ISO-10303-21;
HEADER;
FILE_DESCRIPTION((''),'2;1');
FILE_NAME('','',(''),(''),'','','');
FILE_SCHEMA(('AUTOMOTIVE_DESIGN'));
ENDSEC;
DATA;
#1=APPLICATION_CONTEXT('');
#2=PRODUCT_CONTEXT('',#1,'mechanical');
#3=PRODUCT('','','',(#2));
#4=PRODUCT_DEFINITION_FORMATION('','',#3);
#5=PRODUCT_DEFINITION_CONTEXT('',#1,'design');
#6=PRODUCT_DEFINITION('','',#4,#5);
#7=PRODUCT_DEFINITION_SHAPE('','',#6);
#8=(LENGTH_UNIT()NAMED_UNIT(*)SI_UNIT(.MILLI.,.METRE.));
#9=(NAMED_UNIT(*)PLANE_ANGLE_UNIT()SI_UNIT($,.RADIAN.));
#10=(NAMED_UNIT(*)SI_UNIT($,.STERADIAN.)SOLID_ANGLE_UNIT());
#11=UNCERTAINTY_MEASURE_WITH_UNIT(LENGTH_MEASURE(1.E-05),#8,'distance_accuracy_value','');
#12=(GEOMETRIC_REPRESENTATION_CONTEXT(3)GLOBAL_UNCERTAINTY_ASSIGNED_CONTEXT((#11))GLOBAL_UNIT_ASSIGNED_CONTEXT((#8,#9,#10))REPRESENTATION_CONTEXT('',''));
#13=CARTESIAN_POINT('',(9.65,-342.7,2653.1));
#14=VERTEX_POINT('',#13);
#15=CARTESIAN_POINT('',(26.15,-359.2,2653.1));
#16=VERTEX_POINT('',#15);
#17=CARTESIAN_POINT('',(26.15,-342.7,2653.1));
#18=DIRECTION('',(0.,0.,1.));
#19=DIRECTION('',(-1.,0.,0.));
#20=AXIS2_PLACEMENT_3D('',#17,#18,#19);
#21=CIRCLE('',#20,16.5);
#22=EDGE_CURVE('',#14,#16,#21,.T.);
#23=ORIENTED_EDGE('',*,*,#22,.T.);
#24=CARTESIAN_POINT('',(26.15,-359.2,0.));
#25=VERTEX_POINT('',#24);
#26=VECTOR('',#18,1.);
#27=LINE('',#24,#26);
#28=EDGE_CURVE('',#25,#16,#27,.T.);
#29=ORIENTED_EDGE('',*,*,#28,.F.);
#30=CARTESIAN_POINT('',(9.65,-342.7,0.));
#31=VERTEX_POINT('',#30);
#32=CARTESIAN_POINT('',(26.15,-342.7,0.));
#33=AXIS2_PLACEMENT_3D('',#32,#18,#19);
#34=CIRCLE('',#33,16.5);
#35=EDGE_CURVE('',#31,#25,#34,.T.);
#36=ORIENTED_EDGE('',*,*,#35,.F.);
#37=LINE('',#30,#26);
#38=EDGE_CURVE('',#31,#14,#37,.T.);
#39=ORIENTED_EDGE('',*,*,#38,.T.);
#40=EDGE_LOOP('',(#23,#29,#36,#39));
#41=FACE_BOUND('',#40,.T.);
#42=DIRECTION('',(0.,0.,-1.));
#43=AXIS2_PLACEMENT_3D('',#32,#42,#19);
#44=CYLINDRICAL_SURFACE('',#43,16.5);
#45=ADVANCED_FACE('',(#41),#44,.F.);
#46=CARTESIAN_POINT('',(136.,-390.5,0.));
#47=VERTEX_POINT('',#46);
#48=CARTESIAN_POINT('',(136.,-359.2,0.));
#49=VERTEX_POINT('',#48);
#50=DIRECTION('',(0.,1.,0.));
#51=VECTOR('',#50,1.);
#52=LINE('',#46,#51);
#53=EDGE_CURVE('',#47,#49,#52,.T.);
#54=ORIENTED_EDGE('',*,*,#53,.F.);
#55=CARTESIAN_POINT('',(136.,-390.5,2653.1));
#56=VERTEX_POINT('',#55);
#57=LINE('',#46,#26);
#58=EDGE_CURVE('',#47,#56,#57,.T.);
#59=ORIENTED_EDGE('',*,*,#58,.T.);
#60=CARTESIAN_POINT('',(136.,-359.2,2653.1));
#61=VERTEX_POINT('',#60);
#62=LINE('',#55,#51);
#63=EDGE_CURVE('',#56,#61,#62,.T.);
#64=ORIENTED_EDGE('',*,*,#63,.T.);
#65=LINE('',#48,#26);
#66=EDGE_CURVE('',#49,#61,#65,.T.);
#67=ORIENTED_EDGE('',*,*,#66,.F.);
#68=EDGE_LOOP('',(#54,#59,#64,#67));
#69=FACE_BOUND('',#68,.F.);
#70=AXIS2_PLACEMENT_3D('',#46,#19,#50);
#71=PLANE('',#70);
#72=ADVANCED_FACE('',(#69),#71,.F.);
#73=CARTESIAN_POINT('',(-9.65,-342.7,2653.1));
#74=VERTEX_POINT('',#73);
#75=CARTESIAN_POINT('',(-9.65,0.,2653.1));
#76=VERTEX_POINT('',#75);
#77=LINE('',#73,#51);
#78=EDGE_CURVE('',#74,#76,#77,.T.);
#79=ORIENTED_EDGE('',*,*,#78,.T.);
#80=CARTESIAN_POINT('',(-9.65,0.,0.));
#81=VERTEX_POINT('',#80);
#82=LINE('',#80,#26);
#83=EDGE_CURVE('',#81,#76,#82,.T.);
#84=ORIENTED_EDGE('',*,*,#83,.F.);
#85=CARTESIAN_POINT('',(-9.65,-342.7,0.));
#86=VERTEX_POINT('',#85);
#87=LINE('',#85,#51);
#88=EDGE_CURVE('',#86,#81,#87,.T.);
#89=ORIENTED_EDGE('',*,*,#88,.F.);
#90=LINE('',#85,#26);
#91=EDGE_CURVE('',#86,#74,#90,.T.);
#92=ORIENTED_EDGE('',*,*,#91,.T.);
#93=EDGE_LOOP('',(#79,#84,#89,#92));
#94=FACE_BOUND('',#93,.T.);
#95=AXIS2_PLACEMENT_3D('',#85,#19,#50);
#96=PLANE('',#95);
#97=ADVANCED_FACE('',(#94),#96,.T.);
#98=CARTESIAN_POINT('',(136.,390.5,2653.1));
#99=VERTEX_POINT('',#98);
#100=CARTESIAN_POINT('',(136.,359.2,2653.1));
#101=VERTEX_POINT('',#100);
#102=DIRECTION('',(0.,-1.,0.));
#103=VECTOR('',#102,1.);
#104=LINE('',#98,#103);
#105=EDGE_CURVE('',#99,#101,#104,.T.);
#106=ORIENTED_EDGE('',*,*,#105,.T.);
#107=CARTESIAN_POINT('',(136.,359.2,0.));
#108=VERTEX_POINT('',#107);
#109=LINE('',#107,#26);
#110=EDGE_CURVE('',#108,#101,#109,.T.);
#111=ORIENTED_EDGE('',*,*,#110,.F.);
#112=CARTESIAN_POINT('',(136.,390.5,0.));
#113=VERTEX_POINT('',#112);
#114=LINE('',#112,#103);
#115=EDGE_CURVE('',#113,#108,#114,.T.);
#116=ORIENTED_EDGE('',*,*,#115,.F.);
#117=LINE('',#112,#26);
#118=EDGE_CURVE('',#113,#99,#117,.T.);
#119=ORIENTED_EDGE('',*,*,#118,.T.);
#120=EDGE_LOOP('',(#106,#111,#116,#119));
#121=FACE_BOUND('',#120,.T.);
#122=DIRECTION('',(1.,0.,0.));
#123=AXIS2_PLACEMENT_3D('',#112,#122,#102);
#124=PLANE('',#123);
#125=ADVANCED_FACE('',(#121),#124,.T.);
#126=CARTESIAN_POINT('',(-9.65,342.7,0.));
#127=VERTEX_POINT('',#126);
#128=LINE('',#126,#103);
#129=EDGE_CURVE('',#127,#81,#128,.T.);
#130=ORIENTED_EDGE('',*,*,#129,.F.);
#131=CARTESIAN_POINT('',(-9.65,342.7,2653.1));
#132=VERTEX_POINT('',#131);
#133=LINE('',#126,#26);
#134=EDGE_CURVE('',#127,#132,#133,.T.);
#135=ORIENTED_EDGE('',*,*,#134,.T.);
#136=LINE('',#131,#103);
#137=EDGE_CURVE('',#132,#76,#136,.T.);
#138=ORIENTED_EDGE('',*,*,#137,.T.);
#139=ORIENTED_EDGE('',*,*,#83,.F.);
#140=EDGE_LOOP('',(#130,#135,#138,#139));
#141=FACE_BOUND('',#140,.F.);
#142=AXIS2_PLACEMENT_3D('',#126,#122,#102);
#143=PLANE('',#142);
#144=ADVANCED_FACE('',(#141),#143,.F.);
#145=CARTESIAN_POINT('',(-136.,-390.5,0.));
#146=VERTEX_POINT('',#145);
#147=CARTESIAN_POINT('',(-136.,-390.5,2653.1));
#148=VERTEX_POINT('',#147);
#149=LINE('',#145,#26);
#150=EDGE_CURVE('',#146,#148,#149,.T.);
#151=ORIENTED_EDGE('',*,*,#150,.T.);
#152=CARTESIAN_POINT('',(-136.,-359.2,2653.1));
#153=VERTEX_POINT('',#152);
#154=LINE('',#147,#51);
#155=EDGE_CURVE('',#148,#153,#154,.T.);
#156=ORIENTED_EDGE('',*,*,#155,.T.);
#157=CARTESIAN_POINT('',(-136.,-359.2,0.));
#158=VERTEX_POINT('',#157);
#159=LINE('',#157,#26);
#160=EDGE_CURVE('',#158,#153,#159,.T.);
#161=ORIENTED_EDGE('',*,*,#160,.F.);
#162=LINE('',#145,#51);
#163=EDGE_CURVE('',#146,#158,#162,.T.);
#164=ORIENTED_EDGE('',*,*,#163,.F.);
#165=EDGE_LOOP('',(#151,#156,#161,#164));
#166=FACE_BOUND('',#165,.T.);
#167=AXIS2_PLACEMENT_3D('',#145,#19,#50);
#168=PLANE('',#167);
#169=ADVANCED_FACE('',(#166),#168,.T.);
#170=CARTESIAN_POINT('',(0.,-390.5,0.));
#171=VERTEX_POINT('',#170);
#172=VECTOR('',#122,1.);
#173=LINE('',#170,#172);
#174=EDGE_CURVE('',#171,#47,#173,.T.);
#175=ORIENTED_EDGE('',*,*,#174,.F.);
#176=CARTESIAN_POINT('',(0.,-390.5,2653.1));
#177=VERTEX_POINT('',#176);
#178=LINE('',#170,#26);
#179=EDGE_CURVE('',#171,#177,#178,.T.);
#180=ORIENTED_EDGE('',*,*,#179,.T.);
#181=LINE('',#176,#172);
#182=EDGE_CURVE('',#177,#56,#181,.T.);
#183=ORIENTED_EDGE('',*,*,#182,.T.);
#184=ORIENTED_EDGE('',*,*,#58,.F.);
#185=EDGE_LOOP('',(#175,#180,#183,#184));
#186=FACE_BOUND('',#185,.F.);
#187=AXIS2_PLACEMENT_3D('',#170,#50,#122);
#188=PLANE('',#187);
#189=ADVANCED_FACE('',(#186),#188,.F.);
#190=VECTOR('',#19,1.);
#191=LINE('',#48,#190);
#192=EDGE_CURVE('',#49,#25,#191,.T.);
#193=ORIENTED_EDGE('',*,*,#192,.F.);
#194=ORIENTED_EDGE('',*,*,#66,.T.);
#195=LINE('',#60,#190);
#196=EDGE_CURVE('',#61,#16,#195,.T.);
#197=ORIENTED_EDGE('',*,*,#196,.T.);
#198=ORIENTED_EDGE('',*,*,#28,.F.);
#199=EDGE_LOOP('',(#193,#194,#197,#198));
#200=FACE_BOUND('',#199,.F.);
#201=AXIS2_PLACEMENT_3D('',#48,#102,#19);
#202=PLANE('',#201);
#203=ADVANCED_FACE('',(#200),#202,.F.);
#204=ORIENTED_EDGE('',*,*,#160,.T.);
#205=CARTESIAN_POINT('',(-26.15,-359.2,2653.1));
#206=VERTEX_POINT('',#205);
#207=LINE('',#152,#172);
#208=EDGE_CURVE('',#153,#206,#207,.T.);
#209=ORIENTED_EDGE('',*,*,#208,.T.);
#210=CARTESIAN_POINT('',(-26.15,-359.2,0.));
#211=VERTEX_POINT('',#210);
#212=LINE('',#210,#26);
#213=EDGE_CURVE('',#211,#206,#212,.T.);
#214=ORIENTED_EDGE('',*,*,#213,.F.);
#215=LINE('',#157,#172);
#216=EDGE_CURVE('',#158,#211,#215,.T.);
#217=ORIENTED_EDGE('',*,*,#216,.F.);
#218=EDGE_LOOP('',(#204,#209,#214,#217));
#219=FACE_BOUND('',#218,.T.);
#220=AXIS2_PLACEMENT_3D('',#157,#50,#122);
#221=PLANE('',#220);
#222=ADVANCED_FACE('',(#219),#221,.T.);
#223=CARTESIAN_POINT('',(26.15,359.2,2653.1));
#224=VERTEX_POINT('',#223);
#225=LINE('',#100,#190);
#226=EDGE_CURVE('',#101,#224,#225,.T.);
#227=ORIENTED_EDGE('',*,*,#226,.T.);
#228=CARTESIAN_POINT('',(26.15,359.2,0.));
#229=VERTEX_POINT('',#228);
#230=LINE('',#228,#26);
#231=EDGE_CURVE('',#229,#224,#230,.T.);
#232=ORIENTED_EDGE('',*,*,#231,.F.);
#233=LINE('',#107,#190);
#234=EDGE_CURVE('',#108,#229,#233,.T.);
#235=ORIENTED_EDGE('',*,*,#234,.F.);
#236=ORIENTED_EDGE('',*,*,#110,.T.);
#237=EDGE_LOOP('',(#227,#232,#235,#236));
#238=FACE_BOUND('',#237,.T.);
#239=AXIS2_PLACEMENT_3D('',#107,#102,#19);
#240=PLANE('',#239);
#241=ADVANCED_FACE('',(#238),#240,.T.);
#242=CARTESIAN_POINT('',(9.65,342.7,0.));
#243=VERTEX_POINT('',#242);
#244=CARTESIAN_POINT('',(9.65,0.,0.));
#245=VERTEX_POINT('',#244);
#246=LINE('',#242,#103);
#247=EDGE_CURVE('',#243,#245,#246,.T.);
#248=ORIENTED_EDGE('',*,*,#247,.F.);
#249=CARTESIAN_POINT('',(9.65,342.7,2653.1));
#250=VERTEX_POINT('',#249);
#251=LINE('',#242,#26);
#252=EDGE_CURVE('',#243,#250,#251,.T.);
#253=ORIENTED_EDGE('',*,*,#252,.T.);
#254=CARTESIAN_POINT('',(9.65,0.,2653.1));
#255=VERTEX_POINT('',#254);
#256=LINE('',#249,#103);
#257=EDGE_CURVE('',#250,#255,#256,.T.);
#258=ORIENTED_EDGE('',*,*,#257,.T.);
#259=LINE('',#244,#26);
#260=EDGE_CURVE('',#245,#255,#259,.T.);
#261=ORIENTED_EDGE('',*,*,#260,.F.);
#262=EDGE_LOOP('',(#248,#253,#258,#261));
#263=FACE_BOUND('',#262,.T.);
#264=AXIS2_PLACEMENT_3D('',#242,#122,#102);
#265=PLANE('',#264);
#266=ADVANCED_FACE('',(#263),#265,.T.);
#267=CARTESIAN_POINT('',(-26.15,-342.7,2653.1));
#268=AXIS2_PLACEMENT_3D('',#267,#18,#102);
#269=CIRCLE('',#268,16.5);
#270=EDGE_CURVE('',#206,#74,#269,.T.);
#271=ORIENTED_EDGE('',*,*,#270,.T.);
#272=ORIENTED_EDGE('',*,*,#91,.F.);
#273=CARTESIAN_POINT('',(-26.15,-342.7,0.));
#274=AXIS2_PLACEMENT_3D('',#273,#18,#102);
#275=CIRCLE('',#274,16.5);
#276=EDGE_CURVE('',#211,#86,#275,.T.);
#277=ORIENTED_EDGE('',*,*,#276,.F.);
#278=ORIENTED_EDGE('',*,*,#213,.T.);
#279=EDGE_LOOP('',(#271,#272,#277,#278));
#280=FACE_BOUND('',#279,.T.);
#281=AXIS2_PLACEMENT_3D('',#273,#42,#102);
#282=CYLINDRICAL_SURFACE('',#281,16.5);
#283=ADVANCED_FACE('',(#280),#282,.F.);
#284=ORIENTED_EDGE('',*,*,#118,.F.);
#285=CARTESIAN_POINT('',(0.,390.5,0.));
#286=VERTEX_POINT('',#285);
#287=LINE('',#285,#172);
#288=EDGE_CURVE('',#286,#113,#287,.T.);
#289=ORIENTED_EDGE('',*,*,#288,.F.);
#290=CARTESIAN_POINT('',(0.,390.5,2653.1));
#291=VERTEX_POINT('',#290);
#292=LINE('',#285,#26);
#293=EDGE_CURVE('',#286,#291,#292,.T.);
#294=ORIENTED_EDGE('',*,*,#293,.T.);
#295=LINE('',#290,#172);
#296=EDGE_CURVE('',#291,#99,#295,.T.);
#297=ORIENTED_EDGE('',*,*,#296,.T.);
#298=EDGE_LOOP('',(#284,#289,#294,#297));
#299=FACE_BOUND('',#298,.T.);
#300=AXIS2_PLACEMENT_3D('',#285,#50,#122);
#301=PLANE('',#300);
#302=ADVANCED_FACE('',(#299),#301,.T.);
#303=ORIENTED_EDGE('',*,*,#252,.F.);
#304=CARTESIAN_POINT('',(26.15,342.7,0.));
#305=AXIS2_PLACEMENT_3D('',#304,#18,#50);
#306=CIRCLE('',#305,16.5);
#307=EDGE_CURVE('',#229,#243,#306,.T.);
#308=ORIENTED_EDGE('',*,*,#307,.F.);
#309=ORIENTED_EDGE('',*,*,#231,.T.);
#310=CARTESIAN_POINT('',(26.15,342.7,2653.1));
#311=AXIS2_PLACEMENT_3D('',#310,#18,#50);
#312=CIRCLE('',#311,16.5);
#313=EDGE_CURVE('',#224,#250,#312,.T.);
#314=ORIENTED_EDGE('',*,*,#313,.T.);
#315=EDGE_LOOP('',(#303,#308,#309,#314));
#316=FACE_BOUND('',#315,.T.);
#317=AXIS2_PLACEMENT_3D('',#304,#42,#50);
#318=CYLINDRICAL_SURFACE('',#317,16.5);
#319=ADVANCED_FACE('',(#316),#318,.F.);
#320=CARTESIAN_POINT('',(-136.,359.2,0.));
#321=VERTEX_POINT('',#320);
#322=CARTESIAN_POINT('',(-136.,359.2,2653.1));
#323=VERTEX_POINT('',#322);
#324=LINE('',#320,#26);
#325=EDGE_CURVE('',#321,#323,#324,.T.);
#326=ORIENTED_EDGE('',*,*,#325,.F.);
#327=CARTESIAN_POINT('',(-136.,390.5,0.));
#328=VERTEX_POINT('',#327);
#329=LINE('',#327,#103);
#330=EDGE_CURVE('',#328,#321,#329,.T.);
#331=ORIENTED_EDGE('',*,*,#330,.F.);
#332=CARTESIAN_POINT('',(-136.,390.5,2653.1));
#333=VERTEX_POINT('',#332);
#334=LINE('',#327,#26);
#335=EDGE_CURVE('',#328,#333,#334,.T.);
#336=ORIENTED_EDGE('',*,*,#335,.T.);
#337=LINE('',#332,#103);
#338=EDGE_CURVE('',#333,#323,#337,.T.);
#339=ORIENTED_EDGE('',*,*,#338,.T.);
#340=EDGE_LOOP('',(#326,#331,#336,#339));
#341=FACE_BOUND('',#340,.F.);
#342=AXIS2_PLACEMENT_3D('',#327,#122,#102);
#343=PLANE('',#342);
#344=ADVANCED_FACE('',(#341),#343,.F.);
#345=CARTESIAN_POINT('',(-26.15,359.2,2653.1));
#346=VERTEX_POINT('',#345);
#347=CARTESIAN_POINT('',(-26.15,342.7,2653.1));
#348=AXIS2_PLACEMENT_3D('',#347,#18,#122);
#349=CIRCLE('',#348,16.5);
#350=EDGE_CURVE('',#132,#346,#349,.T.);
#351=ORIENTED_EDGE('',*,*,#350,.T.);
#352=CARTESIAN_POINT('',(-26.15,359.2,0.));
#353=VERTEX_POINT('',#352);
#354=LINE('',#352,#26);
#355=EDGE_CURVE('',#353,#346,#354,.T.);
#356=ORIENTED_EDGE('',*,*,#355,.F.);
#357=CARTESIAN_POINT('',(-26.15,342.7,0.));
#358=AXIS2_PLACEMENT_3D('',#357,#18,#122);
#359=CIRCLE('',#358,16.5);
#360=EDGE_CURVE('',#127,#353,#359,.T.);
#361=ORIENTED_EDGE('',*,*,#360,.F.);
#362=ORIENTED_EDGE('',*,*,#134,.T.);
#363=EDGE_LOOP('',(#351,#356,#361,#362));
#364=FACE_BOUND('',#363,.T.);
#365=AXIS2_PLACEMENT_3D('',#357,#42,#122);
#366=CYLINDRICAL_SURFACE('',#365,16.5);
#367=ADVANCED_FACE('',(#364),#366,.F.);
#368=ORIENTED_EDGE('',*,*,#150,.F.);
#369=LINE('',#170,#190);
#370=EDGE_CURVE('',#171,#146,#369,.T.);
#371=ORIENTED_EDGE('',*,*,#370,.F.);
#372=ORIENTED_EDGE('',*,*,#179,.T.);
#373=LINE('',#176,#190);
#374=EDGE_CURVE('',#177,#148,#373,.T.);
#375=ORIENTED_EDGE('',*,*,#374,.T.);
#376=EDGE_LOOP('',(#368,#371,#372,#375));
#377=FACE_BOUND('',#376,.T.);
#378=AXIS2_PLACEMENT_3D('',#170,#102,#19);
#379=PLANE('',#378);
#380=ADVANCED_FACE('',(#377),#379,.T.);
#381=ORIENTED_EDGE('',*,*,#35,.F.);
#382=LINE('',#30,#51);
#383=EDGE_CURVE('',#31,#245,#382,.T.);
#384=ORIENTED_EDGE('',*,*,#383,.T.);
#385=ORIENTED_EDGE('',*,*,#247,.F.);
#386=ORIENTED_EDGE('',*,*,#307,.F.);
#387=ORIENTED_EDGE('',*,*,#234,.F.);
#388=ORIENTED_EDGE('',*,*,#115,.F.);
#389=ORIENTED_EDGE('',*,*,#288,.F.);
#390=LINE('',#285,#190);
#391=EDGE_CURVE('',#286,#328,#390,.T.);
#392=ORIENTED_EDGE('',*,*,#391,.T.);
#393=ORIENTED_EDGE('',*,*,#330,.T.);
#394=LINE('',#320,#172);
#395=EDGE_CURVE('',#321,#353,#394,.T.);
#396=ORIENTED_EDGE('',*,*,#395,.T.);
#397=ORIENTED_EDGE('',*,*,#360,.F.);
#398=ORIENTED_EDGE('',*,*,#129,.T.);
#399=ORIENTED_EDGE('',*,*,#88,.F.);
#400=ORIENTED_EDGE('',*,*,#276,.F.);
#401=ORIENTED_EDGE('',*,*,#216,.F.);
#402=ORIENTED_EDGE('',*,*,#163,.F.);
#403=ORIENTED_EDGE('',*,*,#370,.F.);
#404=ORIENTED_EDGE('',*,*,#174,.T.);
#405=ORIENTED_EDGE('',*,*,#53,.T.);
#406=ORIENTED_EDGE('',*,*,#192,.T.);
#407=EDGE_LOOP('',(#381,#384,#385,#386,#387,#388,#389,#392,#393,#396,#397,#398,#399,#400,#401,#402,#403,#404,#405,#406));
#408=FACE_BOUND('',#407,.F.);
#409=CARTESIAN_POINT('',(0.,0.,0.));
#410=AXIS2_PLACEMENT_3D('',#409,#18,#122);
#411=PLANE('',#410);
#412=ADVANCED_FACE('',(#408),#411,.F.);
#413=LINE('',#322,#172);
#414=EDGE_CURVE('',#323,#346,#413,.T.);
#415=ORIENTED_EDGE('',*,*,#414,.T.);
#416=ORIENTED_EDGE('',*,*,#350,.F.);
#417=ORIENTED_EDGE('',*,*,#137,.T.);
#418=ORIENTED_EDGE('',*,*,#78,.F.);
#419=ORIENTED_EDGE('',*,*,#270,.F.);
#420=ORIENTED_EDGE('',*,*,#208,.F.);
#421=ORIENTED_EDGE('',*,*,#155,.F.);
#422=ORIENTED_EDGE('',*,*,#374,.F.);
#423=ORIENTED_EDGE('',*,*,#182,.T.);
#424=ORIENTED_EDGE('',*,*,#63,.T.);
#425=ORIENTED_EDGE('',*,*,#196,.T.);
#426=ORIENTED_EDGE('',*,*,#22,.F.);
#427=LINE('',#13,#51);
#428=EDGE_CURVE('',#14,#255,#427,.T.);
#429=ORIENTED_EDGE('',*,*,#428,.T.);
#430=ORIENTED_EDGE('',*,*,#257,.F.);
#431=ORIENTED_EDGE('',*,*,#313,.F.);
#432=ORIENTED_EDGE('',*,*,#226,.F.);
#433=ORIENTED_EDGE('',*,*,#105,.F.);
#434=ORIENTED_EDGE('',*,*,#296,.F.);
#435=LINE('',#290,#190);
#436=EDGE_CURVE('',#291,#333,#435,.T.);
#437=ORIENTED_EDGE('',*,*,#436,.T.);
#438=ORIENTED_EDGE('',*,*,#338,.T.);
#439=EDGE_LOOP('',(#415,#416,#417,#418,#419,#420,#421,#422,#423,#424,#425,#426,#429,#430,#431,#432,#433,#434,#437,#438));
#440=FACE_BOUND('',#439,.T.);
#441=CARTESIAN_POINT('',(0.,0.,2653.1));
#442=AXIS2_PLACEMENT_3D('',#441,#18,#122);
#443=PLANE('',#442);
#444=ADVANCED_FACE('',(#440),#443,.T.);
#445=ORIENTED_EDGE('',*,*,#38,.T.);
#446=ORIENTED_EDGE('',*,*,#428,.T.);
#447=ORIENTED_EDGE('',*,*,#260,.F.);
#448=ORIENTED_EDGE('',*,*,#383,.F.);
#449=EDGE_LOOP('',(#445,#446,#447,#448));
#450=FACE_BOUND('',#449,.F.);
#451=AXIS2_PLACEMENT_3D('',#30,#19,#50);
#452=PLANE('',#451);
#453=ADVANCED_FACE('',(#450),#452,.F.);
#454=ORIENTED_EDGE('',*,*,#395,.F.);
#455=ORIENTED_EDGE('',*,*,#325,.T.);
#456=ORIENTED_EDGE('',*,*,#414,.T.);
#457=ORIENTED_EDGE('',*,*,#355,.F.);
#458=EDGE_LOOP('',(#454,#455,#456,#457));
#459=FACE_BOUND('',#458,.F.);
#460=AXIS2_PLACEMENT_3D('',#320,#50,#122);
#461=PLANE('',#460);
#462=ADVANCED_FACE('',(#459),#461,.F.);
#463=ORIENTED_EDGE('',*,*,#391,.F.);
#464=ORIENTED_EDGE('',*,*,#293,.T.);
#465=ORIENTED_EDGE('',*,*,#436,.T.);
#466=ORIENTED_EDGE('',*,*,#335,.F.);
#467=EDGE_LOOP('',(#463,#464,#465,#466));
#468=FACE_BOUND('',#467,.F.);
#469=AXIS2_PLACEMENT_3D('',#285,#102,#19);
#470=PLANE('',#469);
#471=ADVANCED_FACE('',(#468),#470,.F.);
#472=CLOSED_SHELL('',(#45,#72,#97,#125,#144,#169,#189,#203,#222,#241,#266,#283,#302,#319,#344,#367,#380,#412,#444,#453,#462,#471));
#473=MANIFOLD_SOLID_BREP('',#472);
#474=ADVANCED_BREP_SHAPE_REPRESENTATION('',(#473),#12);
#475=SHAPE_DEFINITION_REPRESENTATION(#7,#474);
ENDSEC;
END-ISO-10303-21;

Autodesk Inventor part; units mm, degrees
ref_plane "YZ Plane" through (0, 0, 0) normal (1, 0, 0) x (0, 1, 0)
ref_plane "Start plane" through (0, 0, 0) normal (0, 0, 1) x (1, 0, 0)
ref_plane "End plane" through (0, 0, 2653.1) normal (0, 0, 1) x (1, 0, 0)
sketch "Sketch" plane through (0, 0, 0) normal (0, 0, 1) x (1, 0, 0)
  line L0 (-136, -390.5) -> (-136, -359.2)
  line L1 (-136, -359.2) -> (-26.15, -359.2)
  line L2 (-9.65, -342.7) -> (-9.65, 0)
  line L3 (-9.65, 0) -> (0, 0) construction
  line L4 (0, 0) -> (0, -390.5) construction
  line L5 (0, -390.5) -> (-136, -390.5)
  line L6 (-60, 0) -> (80, 0) construction
  line L7 (0, -60) -> (0, 80) construction
  line L8 (136, -390.5) -> (136, -359.2)
  line L9 (136, -359.2) -> (26.15, -359.2)
  line L10 (9.65, -342.7) -> (9.65, 0)
  line L11 (9.65, 0) -> (0, 0) construction
  line L12 (0, -390.5) -> (136, -390.5)
  line L13 (-136, 390.5) -> (-136, 359.2)
  line L14 (-136, 359.2) -> (-26.15, 359.2)
  line L15 (-9.65, 342.7) -> (-9.65, 0)
  line L16 (0, 390.5) -> (-136, 390.5)
  line L17 (136, 390.5) -> (136, 359.2)
  line L18 (136, 359.2) -> (26.15, 359.2)
  line L19 (0, 390.5) -> (136, 390.5)
  line L20 (9.65, 342.7) -> (9.65, 0)
  arc A0 (-9.65, 342.7) -> (-26.15, 359.2) centre (-26.15, 342.7) ccw
  arc A1 (26.15, 359.2) -> (9.65, 342.7) centre (26.15, 342.7) ccw
  arc A2 (9.65, -342.7) -> (26.15, -359.2) centre (26.15, -342.7) ccw
  arc A3 (-26.15, -359.2) -> (-9.65, -342.7) centre (-26.15, -342.7) ccw
  line L21 (0, 108) -> (0, -88) construction
  line L22 (-88, 0) -> (108, 0) construction
  point P0 (-9.65, -359.2)
  point P1 (9.65, -359.2)
  point P2 (-9.65, 359.2)
  point P3 (9.65, 359.2)
  dimension "d1" = 390.5
  dimension "d2" = 31.3
  dimension "d3" = 136
  dimension "d4" = 9.65
  dimension "d10" = 16.5
extrude "Body" add sketch "Sketch" along normal up to surface (2653.1 mm away) from surface at 0
sketch "Sketch4" plane through (0, 0, 0) normal (0, 0, 1) x (1, 0, 0)
  line L0 (0, 0) -> (10, 0)
ref_plane "Work Plane3" through (0, 0, 0) normal (0, -1, 0) x (1, 0, 0)
sketch "Sketch5" plane through (0, 0, 0) normal (0, -1, 0) x (1, 0, 0)
  line L0 (-2, 0) -> (12, 0) projected
  line L1 (-2, 2653.1) -> (12, 2653.1) projected
  dimension "d14" = 2653.1
equation "\"d1\" = 0.5 * G_H"
equation "\"d2\" = G_T1"
equation "\"d3\" = 0.5 * G_W"
equation "\"d4\" = 0.5 * G_T"
equation "\"d10\" = G_IR"
equation "\"d5\" = G_L"
equation "\"G_W\" = 272"
equation "\"G_H\" = 781"
equation "\"G_T\" = 19.3"
equation "\"G_T1\" = 31.3"
equation "\"G_IR\" = 16.5"
equation "\"G_L\" = d14"
equation "\"G_OFFSET_START\" = 0"
equation "\"G_OFFSET_END\" = 0"
equation "\"d12\" = G_OFFSET_END + B_L"
equation "\"B_L\" = 2653.1"
properties part number "AS 3679-1990 - 760 UB - 244 - 2653.1" material "Steel, Mild"
